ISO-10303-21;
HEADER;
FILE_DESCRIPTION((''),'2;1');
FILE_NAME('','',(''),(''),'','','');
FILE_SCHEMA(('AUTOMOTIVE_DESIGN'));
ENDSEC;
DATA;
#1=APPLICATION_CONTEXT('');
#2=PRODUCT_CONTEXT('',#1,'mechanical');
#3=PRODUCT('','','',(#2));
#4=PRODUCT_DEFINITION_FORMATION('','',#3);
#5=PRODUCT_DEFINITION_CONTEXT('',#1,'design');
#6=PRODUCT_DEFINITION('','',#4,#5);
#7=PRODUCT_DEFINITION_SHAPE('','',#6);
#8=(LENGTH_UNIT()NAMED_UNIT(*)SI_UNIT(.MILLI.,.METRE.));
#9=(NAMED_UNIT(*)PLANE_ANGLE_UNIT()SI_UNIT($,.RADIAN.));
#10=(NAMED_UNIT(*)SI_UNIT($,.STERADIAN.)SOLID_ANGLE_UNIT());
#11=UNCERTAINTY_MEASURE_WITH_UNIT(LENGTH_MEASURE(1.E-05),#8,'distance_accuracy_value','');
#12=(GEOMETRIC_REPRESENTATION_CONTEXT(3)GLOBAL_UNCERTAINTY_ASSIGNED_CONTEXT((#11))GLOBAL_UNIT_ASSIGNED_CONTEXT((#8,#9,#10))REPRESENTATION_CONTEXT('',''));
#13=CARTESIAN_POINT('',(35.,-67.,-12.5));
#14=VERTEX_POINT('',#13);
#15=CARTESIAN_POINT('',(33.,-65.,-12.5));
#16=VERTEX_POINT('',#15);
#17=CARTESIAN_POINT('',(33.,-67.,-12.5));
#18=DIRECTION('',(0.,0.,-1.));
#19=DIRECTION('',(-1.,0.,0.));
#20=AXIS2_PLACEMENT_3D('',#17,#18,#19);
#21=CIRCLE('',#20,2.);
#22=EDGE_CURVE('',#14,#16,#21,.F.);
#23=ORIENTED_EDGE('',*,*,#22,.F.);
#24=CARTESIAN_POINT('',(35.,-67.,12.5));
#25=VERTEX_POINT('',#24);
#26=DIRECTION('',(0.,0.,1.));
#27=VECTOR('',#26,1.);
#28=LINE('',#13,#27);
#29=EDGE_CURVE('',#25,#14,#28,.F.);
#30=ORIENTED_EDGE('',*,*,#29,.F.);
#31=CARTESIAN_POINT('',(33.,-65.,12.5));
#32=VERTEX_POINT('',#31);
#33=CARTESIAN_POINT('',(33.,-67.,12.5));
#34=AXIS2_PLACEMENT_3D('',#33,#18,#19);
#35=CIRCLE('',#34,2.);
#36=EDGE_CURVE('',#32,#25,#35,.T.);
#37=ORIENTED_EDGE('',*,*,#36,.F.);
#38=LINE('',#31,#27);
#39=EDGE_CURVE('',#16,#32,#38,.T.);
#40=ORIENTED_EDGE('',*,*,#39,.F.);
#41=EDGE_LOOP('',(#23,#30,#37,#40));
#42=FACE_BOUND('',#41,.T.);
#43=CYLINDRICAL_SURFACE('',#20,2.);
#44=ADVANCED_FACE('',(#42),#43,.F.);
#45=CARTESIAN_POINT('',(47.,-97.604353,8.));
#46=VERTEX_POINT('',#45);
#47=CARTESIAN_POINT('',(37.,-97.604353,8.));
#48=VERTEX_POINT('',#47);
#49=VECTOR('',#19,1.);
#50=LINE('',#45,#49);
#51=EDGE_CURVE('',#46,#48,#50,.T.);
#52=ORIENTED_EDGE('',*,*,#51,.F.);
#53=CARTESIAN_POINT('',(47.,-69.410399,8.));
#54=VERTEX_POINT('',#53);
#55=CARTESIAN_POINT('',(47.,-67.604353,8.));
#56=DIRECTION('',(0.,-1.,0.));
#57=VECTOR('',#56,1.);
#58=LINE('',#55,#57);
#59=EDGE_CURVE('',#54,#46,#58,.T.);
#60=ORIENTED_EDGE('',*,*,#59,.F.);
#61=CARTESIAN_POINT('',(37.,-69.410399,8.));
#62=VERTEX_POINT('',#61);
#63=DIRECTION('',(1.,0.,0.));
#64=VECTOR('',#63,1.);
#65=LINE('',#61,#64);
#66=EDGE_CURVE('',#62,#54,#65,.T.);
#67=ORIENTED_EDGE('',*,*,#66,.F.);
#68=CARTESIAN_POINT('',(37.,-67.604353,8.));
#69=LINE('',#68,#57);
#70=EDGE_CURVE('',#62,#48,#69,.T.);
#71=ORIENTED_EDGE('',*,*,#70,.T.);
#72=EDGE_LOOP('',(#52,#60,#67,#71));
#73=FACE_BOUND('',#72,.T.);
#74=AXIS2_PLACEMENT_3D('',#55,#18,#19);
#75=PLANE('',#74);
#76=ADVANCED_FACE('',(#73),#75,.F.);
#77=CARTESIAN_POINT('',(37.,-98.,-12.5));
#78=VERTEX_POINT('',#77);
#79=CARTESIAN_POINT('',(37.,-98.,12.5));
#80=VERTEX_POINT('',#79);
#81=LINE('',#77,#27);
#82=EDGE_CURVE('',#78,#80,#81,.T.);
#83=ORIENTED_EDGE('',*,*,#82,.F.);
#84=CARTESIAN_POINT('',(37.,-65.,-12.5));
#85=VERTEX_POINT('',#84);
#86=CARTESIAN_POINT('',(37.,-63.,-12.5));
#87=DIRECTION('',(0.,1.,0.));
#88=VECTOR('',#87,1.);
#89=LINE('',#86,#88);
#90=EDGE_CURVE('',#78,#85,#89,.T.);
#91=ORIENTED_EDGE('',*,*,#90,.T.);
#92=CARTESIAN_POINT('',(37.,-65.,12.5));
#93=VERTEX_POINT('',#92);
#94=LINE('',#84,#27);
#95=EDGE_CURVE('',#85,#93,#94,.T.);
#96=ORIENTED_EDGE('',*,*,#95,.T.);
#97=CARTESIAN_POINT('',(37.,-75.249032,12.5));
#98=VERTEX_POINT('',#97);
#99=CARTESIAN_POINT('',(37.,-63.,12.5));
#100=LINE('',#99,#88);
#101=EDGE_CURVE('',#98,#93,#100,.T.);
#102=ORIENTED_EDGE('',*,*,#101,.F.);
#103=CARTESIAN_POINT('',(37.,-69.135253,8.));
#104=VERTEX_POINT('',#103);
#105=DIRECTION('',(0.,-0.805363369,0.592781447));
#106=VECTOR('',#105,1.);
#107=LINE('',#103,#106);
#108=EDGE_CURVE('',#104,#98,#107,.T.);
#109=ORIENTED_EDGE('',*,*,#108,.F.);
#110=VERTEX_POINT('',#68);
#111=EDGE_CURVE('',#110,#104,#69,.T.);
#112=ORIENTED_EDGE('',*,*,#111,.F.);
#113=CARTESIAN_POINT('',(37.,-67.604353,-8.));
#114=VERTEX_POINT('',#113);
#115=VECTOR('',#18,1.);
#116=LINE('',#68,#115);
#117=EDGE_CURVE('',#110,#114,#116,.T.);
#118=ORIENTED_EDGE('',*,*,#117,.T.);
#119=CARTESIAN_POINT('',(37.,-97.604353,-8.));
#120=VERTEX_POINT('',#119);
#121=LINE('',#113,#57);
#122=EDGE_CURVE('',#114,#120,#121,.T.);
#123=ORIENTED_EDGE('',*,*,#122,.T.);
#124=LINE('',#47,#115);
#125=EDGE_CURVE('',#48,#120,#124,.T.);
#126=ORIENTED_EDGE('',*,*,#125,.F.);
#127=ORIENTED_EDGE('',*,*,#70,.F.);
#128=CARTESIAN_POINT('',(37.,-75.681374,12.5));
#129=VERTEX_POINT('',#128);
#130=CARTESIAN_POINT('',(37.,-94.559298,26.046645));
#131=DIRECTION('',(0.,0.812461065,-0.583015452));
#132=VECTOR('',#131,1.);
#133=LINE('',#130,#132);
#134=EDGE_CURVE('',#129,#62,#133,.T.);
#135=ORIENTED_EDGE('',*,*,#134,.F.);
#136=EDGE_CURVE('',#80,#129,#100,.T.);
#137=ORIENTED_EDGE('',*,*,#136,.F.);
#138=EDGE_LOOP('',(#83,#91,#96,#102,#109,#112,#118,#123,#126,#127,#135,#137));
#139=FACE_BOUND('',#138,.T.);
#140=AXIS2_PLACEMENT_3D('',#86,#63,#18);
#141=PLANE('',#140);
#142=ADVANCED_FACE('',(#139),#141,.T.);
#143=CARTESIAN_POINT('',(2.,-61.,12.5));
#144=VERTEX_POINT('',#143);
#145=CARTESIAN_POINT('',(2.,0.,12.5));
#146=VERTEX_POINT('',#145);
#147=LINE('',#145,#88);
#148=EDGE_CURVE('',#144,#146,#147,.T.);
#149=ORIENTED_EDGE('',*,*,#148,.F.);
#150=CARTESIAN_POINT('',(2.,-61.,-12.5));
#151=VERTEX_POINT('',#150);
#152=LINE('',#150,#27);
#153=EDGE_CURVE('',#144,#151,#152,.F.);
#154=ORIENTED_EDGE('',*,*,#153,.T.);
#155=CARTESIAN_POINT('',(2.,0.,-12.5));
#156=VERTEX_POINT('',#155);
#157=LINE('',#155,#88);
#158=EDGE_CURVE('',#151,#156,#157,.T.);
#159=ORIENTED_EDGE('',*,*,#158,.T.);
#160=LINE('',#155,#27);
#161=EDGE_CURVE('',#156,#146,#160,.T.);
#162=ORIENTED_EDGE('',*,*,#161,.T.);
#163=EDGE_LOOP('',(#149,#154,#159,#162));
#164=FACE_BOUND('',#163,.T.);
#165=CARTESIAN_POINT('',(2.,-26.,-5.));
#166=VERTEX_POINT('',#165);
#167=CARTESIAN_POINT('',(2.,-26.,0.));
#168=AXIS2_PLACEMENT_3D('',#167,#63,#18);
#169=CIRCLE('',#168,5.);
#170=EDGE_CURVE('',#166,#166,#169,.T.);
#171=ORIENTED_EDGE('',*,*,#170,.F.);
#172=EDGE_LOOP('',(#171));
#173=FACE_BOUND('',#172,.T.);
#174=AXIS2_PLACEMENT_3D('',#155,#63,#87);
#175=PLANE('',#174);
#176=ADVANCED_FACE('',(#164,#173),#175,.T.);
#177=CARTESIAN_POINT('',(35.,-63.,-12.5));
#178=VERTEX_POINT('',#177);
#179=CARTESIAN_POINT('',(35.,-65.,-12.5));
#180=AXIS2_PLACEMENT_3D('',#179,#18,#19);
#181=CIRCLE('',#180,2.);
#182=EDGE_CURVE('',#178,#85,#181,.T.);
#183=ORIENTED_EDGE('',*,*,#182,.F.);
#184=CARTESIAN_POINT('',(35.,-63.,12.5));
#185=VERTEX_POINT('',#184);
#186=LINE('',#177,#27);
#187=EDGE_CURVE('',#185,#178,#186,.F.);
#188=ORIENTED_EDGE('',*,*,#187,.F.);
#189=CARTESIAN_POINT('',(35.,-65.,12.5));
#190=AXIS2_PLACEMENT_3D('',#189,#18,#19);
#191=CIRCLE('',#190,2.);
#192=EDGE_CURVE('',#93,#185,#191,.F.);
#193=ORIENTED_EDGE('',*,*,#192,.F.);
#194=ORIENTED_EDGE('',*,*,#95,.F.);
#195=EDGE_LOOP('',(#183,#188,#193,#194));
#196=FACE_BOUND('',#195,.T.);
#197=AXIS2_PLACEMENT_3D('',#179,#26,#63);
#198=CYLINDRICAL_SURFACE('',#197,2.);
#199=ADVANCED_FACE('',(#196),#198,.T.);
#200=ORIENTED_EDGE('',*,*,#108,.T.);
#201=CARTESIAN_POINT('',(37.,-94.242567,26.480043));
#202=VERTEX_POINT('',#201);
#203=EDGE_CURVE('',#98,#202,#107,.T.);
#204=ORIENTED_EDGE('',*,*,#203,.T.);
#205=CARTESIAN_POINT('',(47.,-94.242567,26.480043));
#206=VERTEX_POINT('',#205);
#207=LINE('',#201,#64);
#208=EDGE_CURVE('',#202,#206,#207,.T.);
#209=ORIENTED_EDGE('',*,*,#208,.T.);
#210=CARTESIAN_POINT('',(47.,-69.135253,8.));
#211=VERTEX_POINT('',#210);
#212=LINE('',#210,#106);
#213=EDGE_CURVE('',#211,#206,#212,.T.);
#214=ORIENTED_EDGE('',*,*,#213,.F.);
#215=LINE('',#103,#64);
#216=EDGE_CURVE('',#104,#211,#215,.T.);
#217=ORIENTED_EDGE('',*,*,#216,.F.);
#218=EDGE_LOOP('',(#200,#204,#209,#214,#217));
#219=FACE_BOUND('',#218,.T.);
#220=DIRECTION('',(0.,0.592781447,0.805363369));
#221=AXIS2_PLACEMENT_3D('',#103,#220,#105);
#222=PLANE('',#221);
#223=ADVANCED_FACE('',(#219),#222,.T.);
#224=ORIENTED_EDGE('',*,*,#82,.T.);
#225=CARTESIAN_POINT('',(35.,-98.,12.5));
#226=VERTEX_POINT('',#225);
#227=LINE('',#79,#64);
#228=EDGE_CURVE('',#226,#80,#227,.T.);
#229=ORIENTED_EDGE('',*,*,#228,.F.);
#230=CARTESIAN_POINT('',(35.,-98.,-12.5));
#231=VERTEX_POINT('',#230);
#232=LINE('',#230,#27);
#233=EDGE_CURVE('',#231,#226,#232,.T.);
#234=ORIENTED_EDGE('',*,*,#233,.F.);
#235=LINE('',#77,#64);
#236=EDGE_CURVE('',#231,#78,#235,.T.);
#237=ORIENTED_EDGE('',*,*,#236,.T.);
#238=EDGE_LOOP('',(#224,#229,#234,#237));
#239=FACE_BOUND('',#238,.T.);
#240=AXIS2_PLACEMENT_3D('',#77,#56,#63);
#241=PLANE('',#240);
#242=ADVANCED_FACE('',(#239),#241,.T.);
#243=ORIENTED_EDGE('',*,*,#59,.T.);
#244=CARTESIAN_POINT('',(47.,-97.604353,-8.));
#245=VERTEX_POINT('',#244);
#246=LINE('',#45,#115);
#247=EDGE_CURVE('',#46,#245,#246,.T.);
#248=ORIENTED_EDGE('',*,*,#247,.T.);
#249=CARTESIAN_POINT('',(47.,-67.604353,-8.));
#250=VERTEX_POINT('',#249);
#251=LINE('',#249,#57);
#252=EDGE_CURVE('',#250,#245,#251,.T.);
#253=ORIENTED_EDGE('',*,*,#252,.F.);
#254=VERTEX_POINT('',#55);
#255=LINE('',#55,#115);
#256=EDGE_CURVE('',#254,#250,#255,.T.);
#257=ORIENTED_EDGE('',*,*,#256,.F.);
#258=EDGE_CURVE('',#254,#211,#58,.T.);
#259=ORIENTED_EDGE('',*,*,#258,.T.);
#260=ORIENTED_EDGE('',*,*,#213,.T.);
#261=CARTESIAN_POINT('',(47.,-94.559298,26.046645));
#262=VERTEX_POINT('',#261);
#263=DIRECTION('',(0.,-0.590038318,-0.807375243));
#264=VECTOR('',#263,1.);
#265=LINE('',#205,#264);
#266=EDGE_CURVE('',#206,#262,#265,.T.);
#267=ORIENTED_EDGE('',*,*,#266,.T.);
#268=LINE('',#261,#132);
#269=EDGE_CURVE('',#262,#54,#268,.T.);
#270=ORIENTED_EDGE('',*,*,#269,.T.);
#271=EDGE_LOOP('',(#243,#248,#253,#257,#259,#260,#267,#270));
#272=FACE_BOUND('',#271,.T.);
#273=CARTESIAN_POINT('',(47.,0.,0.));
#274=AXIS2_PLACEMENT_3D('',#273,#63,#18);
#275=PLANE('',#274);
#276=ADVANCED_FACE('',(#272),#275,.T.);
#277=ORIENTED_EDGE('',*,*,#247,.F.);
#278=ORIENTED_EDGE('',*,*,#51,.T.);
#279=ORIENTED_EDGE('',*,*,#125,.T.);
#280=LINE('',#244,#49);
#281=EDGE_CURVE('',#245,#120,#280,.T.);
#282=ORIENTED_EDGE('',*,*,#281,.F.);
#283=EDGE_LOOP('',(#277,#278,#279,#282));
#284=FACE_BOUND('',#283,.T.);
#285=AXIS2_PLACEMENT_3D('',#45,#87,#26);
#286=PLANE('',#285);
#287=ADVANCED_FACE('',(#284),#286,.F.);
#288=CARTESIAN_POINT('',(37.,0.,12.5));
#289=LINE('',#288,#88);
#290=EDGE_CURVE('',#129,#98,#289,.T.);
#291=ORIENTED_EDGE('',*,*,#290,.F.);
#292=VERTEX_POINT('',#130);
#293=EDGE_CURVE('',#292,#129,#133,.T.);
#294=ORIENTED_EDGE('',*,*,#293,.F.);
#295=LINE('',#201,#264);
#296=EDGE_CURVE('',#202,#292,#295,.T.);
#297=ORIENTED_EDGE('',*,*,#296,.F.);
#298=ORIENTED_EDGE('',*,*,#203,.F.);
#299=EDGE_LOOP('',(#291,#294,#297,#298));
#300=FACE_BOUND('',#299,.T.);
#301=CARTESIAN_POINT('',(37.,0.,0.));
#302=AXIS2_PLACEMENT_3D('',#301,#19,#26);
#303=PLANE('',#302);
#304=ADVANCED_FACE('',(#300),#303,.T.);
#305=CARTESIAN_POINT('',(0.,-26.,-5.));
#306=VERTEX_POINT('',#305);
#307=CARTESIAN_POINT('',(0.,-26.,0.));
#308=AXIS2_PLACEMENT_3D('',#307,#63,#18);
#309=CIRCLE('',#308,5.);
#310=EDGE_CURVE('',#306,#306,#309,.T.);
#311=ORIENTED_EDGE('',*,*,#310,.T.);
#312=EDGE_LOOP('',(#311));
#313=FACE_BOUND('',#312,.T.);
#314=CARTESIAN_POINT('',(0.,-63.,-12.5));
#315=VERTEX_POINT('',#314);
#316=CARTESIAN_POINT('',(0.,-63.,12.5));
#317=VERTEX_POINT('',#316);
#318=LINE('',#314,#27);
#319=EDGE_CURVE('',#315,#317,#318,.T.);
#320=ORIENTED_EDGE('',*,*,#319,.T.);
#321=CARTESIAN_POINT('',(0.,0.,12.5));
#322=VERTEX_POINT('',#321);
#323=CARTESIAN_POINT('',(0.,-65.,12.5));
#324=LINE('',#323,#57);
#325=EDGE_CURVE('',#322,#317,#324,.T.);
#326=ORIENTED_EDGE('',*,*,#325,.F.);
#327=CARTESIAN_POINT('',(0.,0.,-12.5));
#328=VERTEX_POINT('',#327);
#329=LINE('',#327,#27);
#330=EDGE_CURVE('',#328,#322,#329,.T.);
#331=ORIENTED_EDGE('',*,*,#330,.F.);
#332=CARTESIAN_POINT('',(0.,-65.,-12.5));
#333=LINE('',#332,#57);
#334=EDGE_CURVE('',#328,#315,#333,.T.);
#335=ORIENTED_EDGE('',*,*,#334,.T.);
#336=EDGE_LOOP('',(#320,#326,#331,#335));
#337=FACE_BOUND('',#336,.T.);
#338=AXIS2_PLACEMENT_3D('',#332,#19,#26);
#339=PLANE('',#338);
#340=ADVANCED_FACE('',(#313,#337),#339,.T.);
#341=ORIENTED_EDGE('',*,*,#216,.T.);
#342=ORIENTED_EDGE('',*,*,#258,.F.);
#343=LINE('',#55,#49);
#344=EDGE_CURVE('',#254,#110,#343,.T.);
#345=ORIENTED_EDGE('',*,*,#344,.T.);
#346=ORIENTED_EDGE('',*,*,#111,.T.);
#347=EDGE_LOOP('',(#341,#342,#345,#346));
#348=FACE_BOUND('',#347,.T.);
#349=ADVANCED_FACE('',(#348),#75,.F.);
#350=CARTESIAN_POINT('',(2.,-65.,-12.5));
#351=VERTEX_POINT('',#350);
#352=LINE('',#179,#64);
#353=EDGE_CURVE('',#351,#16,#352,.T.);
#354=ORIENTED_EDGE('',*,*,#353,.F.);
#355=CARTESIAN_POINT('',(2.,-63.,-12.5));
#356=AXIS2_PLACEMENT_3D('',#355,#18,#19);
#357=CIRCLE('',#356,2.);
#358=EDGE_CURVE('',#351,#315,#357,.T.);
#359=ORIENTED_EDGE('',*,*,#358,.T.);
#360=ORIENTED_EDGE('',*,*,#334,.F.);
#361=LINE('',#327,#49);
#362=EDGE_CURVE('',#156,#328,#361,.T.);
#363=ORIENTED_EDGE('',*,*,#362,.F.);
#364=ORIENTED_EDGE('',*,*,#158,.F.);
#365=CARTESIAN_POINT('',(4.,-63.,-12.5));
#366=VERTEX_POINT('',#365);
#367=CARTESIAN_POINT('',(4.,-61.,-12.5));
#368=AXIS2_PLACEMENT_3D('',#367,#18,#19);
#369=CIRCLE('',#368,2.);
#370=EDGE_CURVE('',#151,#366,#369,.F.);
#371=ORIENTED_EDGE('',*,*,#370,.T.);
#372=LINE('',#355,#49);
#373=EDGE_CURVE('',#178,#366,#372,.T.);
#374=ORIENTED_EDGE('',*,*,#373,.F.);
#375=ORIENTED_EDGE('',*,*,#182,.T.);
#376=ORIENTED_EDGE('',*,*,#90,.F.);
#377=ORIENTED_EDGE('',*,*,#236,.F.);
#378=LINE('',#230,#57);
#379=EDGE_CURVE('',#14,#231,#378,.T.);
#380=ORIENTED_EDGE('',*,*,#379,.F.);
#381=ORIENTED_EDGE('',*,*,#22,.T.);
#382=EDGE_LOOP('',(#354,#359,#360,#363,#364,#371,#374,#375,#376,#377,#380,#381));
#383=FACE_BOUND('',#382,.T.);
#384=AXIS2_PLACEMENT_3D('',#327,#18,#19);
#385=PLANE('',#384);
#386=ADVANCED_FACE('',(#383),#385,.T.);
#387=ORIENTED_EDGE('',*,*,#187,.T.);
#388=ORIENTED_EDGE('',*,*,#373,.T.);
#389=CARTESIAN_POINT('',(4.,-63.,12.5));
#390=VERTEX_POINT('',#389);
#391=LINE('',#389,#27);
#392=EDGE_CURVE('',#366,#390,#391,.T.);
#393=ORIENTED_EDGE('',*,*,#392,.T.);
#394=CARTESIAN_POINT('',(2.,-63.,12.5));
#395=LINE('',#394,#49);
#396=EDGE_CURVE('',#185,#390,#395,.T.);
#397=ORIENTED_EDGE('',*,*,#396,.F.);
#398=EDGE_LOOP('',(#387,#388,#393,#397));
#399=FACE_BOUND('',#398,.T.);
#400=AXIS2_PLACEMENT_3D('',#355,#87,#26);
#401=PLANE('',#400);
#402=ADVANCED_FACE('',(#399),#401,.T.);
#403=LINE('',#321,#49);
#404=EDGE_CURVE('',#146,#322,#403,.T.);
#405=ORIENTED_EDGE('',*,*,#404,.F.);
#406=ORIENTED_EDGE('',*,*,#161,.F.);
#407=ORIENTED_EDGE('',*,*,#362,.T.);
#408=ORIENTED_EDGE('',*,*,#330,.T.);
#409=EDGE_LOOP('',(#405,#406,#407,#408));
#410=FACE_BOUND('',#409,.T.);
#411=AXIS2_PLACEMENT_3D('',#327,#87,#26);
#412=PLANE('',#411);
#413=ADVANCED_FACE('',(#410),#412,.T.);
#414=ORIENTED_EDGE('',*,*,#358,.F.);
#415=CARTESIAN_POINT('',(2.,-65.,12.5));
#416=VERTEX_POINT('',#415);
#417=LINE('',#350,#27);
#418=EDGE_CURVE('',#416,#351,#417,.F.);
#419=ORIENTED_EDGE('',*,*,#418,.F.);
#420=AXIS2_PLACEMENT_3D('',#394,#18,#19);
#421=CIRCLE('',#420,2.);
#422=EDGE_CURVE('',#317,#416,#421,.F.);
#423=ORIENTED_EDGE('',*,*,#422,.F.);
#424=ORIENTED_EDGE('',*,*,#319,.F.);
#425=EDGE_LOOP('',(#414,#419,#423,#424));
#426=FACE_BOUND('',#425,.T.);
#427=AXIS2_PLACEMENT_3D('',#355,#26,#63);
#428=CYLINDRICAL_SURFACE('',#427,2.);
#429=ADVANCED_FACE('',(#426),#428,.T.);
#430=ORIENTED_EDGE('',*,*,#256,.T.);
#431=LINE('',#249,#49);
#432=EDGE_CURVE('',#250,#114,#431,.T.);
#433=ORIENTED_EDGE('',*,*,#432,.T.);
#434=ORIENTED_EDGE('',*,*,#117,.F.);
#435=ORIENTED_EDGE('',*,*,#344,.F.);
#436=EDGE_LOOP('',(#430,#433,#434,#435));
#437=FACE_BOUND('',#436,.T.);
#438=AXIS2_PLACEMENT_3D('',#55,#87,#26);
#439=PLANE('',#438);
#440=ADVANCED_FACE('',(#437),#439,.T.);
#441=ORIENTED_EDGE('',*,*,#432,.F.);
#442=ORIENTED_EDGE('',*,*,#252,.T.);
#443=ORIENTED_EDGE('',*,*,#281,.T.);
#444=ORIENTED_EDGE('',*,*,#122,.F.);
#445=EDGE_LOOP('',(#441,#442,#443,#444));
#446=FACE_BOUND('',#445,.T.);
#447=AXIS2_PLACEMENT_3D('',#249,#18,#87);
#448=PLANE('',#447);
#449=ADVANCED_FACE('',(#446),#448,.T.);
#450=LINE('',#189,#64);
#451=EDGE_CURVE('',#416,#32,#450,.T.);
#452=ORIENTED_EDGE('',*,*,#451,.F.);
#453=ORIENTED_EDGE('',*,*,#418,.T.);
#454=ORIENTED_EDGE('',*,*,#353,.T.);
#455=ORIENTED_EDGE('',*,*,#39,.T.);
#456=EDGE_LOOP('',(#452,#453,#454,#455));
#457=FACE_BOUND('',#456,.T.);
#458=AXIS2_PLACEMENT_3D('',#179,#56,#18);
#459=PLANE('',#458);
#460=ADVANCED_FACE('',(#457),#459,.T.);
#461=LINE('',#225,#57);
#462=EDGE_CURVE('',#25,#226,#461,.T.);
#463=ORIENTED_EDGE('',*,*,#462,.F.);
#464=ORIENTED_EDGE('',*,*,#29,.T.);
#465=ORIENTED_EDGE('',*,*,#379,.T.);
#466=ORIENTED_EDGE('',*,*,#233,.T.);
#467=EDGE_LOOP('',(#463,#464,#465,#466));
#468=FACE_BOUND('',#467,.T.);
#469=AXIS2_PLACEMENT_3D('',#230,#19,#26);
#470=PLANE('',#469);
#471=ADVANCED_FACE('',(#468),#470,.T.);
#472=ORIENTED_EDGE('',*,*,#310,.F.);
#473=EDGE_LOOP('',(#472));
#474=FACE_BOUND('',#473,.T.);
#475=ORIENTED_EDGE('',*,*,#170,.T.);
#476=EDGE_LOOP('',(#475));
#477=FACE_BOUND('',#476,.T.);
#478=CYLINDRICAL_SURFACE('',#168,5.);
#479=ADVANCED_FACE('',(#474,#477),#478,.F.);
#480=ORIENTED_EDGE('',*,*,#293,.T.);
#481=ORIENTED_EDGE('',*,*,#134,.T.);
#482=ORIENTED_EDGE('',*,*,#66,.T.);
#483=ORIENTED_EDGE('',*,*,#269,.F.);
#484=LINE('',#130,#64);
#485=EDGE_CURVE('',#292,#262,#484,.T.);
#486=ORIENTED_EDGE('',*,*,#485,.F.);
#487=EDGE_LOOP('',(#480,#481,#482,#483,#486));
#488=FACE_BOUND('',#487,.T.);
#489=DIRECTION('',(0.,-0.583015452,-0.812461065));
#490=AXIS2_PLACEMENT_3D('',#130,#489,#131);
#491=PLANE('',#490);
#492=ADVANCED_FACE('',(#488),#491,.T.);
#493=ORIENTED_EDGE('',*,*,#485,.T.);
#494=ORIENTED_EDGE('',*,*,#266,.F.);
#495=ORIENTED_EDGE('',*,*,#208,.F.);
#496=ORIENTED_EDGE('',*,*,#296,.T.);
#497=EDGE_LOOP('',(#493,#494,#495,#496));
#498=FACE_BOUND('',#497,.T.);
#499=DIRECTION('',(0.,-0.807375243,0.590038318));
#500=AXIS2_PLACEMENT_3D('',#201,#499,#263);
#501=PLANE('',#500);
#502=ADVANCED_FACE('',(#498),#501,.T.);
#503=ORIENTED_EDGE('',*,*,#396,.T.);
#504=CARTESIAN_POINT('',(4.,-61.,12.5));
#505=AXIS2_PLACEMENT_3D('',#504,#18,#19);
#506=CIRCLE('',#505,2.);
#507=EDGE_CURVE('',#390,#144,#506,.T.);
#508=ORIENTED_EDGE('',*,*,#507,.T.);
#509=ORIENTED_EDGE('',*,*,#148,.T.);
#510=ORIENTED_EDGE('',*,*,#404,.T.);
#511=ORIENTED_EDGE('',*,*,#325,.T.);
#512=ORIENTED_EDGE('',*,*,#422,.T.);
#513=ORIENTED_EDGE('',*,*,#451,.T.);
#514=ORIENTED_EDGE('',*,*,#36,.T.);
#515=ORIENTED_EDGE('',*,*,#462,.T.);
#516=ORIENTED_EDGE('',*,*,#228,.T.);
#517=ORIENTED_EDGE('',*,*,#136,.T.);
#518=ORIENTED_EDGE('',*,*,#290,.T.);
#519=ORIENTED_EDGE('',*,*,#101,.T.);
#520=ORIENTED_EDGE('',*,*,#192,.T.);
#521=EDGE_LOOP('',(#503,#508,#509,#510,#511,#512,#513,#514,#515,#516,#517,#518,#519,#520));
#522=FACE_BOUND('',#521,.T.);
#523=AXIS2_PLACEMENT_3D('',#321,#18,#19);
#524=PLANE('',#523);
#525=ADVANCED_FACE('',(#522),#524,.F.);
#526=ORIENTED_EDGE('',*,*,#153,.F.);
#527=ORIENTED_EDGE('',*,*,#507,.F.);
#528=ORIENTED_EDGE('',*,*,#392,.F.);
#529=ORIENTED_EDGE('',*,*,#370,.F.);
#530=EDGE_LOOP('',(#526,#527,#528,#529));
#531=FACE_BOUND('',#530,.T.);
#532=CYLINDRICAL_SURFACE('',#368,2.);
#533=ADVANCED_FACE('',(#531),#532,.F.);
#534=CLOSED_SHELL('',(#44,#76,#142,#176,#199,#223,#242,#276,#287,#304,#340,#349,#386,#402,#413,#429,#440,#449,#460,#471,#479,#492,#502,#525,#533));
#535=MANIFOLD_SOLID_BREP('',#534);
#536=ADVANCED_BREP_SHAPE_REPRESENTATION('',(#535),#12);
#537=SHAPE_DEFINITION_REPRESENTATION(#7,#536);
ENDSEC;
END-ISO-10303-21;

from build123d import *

# Parameters (mm, degrees)
BOSS_EXTRUDE1_DEPTH      = 12.5
BOSS_EXTRUDE1_DEPTH_BACK = 12.5
F_10_0MM_DOWEL_HOLE1_D   = 10
FILLET1_R                = 2
SKETCH3_W                = 16
SKETCH3_H                = 30
BOSS_EXTRUDE2_DEPTH      = 10
BOSS_EXTRUDE3_DEPTH      = 10


with BuildPart() as part:
    # Sketch1 → Boss-Extrude1 (new, two sides: drawn at the far end of the back side and taken through both)
    with BuildSketch(Plane.XY.offset(-BOSS_EXTRUDE1_DEPTH_BACK)):
        Polygon((0, 0), (2, 0), (2, -63), (37, -63), (37, -98), (35, -98), (35, -65), (0, -65), align=None)
    extrude(amount=BOSS_EXTRUDE1_DEPTH + BOSS_EXTRUDE1_DEPTH_BACK)

    # Ø10.0mm Dowel Hole1 (through all)
    with Locations(Plane(origin=(2, -26, 0), x_dir=(0, 1, 0), z_dir=(1, 0, 0))):
        with Locations((0, 0)):
            Hole(F_10_0MM_DOWEL_HOLE1_D / 2)

    # Fillet1
    fillet1_edges = [part.edges().sort_by_distance(p)[0] for p in [
        (2, -63, 0),
        (37, -63, 0),
        (35, -65, 0),
        (0, -65, 0),
    ]]
    fillet(fillet1_edges, radius=FILLET1_R)

    # Sketch3 → Boss-Extrude2 (add)
    with BuildSketch(Plane(origin=(37, 0, 0), x_dir=(0, 0, -1), z_dir=(1, 0, 0))):
        with Locations((0, -82.60435288)):
            Rectangle(SKETCH3_W, SKETCH3_H)
    extrude(amount=BOSS_EXTRUDE2_DEPTH)

    # Sketch4 → Boss-Extrude3 (add)
    with BuildSketch(Plane(origin=(47, 0, 0), x_dir=(0, 0, -1), z_dir=(1, 0, 0))):
        Polygon((-8, -69.135252509), (-26.480043417, -94.242566668), (-26.046645408, -94.559298491), (-8, -69.410399443), align=None)
    extrude(amount=-BOSS_EXTRUDE3_DEPTH)


solid = part.part
